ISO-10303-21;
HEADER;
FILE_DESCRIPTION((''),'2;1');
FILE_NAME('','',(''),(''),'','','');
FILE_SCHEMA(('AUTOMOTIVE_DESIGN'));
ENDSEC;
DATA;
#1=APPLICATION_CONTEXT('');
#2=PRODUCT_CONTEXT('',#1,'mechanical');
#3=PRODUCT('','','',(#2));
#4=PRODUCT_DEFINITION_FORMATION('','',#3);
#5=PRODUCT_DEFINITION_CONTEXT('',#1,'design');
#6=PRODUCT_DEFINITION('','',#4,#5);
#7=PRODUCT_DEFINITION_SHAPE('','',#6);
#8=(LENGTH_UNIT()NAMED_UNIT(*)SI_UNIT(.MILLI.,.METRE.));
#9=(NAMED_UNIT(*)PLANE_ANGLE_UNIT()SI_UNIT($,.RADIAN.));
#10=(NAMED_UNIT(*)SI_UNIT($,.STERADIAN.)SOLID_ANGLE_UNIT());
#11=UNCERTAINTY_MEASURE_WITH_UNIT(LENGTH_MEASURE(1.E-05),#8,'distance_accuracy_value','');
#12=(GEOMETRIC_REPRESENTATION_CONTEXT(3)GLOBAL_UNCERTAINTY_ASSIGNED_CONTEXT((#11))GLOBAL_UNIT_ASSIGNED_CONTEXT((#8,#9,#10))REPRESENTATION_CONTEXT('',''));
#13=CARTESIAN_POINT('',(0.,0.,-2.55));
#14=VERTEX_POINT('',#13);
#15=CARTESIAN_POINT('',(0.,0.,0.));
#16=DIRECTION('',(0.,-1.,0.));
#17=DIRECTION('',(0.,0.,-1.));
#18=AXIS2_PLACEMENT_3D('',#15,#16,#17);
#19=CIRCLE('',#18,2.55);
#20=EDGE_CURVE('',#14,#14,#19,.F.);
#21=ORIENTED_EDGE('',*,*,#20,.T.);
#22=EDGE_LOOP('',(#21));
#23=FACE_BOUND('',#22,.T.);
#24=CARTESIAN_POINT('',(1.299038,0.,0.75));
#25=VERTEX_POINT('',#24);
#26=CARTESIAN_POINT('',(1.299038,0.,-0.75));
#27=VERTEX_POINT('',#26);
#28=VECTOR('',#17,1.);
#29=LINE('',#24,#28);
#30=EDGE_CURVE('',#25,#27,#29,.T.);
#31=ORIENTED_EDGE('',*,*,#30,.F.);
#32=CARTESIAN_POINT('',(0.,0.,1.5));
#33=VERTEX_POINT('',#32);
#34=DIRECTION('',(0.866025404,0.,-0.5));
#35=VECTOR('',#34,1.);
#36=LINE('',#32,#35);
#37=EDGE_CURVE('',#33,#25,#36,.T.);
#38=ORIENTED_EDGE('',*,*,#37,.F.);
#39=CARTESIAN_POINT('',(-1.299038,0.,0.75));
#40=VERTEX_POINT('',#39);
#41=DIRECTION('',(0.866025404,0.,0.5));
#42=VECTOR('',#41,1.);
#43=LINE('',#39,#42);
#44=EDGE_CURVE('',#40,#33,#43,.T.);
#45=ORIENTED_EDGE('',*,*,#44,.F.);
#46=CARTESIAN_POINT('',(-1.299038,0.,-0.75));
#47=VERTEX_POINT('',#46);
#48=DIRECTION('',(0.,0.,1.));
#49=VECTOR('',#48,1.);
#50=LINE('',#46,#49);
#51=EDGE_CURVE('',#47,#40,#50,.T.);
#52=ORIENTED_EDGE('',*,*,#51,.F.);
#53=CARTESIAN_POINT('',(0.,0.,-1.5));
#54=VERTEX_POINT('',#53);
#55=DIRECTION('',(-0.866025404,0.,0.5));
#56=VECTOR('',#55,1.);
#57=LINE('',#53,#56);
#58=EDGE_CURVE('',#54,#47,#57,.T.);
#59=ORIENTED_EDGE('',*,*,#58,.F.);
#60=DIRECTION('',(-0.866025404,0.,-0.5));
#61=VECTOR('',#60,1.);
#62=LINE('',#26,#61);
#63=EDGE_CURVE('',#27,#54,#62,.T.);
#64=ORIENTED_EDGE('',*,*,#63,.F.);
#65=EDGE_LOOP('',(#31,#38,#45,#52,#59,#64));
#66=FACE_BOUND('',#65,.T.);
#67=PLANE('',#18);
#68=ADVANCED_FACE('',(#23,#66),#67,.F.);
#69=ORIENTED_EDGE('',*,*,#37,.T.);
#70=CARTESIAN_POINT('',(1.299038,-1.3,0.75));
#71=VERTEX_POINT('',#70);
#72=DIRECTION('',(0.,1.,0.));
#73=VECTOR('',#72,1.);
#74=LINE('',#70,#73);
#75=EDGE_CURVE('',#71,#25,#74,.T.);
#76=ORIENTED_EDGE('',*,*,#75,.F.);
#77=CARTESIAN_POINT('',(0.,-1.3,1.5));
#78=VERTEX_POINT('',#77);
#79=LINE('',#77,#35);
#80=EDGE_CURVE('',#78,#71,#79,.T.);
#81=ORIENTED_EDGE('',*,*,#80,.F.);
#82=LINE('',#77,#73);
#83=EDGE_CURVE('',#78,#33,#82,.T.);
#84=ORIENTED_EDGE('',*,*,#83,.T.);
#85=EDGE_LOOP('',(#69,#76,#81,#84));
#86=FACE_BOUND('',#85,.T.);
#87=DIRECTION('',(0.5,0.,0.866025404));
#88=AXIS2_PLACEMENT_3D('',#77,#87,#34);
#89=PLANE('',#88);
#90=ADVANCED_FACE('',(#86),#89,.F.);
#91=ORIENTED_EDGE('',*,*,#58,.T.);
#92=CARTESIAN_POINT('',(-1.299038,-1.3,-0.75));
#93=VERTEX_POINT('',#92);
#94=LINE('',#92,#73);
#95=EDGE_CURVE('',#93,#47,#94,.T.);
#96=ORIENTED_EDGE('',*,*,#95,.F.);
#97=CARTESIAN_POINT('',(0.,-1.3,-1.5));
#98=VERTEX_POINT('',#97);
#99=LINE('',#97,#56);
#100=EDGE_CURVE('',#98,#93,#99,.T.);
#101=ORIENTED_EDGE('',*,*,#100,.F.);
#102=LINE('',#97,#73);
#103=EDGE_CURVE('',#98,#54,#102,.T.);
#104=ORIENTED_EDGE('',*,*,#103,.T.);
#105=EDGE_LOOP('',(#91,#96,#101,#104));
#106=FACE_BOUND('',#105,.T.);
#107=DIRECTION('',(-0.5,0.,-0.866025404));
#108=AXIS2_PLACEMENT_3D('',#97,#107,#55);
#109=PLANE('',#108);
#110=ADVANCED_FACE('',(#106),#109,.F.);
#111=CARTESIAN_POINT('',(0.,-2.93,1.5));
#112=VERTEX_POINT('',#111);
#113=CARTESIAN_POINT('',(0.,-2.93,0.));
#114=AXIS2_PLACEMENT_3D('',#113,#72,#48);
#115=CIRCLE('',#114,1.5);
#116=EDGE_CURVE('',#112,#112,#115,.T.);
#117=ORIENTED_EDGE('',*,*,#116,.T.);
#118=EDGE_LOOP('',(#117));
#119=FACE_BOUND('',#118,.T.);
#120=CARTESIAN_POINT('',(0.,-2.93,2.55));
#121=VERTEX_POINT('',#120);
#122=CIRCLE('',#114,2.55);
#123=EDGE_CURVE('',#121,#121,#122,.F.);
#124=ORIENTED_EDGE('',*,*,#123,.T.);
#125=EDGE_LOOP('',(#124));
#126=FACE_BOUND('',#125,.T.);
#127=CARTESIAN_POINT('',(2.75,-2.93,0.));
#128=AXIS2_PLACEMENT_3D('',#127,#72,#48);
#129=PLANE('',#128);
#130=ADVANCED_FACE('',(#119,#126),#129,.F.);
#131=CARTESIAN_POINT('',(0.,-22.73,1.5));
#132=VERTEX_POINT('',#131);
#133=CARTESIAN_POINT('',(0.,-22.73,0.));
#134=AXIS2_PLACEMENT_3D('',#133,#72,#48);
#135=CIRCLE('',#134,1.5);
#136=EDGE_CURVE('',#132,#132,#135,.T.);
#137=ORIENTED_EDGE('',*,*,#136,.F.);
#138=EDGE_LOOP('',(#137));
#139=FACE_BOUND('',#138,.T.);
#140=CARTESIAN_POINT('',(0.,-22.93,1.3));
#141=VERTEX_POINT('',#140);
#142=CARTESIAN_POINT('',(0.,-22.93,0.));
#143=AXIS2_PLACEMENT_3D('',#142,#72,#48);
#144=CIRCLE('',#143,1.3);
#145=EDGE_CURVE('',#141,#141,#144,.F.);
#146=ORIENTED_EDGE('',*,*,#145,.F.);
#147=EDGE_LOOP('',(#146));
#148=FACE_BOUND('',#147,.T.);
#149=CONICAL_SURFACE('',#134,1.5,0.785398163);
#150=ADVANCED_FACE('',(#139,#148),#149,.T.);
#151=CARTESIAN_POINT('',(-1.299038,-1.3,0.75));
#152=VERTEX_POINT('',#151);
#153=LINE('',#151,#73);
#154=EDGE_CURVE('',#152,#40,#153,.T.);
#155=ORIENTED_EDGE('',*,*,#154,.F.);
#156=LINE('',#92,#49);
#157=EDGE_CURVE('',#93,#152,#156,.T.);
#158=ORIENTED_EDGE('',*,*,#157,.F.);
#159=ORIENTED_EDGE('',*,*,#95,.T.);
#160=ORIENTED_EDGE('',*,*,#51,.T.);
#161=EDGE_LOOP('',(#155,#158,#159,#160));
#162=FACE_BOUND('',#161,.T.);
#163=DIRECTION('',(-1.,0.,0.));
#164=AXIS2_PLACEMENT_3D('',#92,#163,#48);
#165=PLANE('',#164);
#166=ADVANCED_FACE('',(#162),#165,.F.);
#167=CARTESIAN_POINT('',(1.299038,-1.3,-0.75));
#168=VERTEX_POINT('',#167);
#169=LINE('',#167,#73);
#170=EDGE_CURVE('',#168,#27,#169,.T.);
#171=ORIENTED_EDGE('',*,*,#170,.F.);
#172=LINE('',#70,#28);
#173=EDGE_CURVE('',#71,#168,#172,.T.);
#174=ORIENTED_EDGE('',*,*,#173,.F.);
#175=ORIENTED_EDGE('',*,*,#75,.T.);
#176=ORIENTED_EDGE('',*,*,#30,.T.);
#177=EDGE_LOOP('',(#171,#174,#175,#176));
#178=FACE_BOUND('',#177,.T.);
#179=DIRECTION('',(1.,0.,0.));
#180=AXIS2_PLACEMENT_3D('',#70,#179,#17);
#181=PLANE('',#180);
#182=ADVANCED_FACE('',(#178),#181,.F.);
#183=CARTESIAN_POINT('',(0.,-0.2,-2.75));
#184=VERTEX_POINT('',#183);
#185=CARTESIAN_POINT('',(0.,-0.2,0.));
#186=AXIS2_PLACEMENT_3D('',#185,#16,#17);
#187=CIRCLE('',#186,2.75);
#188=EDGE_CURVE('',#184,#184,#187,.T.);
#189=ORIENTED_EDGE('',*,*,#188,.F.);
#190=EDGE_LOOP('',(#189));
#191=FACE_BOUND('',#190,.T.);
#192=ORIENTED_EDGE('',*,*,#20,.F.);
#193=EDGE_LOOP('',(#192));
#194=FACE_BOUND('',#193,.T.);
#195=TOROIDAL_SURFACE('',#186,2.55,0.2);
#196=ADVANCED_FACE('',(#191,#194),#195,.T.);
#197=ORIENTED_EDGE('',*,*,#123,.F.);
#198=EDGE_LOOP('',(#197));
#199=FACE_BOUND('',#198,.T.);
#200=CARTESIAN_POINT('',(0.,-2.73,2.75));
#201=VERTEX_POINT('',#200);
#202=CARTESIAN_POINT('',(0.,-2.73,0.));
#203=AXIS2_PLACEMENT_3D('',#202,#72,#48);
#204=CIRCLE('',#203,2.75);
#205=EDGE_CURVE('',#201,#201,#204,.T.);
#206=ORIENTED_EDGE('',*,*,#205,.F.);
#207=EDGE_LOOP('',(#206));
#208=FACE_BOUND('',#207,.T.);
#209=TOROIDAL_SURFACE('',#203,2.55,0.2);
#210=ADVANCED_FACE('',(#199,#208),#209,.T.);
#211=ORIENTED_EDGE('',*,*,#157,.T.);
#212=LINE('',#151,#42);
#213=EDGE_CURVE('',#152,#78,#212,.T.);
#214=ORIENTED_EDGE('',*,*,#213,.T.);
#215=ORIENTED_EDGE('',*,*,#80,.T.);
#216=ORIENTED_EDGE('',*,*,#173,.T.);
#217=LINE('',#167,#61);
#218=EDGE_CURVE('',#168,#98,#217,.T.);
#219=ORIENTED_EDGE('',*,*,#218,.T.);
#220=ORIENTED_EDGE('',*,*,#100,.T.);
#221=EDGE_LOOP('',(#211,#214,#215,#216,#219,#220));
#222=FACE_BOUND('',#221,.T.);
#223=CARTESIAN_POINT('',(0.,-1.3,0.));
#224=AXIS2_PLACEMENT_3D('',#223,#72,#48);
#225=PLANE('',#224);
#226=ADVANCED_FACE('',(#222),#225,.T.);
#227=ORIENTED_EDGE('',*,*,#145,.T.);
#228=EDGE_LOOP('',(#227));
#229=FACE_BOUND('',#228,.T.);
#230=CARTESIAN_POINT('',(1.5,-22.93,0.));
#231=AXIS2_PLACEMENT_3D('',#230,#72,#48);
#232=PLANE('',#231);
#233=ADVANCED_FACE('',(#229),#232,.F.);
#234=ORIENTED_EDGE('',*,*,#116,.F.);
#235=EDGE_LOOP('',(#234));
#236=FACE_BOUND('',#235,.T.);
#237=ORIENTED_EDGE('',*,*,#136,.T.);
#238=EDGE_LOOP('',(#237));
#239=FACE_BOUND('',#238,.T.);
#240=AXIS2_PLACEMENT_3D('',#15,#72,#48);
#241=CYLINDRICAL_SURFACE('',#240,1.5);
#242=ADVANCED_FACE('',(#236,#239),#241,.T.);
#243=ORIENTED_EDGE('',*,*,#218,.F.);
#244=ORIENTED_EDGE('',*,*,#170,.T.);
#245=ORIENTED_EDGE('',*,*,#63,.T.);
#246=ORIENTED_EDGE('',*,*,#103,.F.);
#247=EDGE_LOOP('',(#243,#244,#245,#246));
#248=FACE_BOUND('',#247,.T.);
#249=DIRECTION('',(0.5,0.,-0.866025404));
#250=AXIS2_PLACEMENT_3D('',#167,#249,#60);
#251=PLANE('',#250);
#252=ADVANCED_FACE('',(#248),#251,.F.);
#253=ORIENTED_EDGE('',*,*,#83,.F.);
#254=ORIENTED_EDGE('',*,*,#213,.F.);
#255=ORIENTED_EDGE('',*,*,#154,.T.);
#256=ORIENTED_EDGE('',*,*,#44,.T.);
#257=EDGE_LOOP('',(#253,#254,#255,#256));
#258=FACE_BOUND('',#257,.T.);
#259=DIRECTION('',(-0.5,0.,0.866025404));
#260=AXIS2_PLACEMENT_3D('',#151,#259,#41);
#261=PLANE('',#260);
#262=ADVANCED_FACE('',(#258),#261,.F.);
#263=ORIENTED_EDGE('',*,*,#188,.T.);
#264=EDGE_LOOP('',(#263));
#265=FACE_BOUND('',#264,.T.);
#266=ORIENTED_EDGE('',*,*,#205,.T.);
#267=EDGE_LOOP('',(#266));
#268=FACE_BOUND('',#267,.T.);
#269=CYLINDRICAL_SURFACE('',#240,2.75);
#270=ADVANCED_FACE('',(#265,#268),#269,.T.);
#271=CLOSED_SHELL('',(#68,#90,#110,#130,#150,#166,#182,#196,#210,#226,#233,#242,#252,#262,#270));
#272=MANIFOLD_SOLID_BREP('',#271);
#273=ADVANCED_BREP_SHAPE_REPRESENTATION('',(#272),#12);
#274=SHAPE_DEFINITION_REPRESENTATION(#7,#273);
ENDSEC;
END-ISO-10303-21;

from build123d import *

# Parameters (mm, degrees)
CUT_EXTRUDE_1_DEPTH = 1.3
FILLET_1_R          = 0.2
CHAMFER_1_SIZE      = 0.2


with BuildPart() as part:
    # 草图1 → 旋转1 (revolve)
    with BuildSketch(Plane.XY, mode=Mode.PRIVATE) as revolve_1_sk:
        Polygon((0, 0), (2.75, 0), (2.75, -2.93), (1.5, -2.93), (1.5, -22.93), (0, -22.93), align=None)
    revolve(revolve_1_sk.sketch.rotate(Axis((0, 0, 0), (0, -1, 0)), 90), axis=Axis((0, 0, 0), (0, -1, 0)))

    # 草图2 → 切除-拉伸1 (cut)
    with BuildSketch(Plane(origin=(0, 0, 0), x_dir=(1, 0, 0), z_dir=(0, 1, 0))):
        Polygon((0, 1.5), (-1.299038106, 0.75), (-1.299038106, -0.75), (0, -1.5), (1.299038106, -0.75), (1.299038106, 0.75), align=None)
    extrude(amount=-CUT_EXTRUDE_1_DEPTH, mode=Mode.SUBTRACT)

    # 圆角1
    fillet_1_edges = [part.edges().sort_by_distance(p)[0] for p in [
        (0, -2.93, -2.75),
        (0, 0, -2.75),
    ]]
    fillet(fillet_1_edges, radius=FILLET_1_R)

    # 倒角1
    chamfer_1_edges = [part.edges().sort_by_distance(p)[0] for p in [
        (0, -22.93, -1.5),
    ]]
    chamfer(chamfer_1_edges, length=CHAMFER_1_SIZE)


solid = part.part
